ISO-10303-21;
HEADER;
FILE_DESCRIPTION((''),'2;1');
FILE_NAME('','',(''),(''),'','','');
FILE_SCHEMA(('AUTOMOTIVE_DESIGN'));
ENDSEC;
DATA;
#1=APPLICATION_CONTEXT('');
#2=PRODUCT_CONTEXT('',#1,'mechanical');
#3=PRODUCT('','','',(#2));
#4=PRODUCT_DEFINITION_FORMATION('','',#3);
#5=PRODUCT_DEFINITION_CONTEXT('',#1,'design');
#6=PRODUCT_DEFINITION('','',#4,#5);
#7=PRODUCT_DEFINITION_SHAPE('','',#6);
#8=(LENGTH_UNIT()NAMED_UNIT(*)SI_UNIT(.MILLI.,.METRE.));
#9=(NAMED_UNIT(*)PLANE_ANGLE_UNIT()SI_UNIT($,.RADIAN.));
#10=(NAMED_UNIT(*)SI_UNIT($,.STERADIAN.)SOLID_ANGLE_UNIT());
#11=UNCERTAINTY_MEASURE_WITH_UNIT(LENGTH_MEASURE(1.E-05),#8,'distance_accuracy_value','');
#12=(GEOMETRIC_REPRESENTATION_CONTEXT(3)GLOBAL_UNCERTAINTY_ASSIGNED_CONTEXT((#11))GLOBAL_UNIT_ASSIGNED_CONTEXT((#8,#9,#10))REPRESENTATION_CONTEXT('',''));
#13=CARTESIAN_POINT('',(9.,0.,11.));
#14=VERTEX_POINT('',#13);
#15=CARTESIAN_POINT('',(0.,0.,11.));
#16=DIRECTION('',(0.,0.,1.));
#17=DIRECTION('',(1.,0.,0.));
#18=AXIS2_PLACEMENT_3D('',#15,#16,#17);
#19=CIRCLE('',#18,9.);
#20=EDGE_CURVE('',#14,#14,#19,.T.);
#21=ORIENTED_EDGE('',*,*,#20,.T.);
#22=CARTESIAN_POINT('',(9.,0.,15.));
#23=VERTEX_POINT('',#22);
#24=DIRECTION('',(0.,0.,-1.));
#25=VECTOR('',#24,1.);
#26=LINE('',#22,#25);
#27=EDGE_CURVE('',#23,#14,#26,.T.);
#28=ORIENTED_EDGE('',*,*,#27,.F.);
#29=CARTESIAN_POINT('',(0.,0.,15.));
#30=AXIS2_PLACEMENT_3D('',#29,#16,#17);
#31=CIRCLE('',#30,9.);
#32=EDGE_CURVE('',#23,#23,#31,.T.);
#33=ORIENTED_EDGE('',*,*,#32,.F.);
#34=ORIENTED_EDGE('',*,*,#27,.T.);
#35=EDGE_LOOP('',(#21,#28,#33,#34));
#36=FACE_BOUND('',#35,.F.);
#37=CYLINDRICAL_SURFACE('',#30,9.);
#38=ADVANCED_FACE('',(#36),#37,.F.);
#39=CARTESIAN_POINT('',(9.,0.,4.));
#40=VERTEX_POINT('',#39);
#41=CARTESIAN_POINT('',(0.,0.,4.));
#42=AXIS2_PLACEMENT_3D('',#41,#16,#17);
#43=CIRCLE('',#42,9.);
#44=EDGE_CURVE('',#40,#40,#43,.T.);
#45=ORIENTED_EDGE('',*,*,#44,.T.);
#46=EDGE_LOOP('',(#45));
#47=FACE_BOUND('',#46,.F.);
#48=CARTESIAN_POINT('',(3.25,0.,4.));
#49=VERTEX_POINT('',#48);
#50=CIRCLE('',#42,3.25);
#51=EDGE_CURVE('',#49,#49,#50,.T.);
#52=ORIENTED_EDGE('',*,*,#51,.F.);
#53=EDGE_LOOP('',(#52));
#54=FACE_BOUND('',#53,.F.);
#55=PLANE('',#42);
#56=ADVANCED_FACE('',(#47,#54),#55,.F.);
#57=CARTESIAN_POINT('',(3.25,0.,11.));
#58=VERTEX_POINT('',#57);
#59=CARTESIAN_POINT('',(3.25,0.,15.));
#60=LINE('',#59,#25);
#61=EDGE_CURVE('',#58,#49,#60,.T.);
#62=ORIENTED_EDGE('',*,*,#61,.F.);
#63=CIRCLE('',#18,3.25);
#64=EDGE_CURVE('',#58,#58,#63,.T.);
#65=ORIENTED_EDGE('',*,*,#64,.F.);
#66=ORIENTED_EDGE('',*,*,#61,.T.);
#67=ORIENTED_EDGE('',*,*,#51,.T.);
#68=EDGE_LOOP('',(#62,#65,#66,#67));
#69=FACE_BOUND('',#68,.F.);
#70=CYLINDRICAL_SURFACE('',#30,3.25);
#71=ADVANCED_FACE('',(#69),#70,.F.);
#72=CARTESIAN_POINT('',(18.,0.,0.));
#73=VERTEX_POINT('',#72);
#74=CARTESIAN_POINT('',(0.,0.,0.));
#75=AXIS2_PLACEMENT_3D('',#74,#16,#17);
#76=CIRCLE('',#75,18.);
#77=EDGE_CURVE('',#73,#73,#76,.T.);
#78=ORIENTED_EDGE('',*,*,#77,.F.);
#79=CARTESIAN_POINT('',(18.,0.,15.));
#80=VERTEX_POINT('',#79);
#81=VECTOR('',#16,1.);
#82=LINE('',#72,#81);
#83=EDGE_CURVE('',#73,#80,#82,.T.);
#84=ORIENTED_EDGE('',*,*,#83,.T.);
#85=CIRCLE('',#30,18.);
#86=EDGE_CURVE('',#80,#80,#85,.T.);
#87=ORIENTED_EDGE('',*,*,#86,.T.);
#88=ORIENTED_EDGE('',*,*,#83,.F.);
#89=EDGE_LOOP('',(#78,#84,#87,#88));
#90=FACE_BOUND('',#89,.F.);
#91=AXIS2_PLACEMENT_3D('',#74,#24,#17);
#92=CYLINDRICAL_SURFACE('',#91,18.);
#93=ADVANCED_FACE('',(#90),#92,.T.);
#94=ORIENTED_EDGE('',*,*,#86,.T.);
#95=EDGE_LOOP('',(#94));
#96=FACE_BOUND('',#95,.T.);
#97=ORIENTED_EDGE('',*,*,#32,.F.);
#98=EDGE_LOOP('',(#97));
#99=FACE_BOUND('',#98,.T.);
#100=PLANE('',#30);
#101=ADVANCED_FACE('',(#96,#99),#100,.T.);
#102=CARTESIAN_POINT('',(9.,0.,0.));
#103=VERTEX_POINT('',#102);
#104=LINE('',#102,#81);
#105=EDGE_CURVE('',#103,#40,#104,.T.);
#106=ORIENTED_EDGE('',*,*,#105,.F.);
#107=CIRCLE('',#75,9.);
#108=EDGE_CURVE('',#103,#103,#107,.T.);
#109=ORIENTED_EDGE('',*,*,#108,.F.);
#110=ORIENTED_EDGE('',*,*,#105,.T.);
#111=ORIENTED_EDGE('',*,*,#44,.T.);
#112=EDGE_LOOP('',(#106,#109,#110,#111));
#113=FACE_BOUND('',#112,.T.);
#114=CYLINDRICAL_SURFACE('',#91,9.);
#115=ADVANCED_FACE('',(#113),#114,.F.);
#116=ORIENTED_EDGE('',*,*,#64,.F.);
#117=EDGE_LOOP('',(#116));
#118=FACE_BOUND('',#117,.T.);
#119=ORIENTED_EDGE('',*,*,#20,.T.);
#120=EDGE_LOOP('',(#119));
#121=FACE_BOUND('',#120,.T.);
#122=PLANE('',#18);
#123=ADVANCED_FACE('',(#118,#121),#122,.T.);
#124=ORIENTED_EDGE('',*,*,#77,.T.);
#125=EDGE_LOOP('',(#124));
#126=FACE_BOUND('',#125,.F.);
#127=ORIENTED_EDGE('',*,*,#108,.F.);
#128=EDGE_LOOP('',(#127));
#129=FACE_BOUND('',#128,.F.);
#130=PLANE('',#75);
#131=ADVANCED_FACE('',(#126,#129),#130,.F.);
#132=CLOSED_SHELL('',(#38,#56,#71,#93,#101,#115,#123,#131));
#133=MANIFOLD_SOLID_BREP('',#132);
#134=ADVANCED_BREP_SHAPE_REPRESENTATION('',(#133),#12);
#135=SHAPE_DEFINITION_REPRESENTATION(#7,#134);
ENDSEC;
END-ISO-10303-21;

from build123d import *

# Parameters (mm, degrees)
F0_R     = 18
F1_DEPTH = 15
F2_R     = 9
F2_R_2   = 3.25
F3_DEPTH = 4
F4_DEPTH = 25
F5_R     = 9
F6_DEPTH = 4


with BuildPart() as f1:
    # F0 (on Top) → F1 (new body)
    with BuildSketch(Plane.XY):
        Circle(F0_R)
    extrude(amount=F1_DEPTH)

    # F2 (on face) → F3 (cut)
    with BuildSketch(Plane.XY.offset(15)):
        Circle(F2_R)
        Circle(F2_R_2, mode=Mode.SUBTRACT)
    extrude(amount=-F3_DEPTH, mode=Mode.SUBTRACT)

    # F2 (on face) → F4 (cut)
    with BuildSketch(Plane.XY.offset(15)):
        Circle(F2_R_2)
    extrude(amount=-F4_DEPTH, mode=Mode.SUBTRACT)

    # F5 (on face) → F6 (cut)
    with BuildSketch(Plane.XY):
        Circle(F5_R)
    extrude(amount=F6_DEPTH, mode=Mode.SUBTRACT)


solid = f1.part
